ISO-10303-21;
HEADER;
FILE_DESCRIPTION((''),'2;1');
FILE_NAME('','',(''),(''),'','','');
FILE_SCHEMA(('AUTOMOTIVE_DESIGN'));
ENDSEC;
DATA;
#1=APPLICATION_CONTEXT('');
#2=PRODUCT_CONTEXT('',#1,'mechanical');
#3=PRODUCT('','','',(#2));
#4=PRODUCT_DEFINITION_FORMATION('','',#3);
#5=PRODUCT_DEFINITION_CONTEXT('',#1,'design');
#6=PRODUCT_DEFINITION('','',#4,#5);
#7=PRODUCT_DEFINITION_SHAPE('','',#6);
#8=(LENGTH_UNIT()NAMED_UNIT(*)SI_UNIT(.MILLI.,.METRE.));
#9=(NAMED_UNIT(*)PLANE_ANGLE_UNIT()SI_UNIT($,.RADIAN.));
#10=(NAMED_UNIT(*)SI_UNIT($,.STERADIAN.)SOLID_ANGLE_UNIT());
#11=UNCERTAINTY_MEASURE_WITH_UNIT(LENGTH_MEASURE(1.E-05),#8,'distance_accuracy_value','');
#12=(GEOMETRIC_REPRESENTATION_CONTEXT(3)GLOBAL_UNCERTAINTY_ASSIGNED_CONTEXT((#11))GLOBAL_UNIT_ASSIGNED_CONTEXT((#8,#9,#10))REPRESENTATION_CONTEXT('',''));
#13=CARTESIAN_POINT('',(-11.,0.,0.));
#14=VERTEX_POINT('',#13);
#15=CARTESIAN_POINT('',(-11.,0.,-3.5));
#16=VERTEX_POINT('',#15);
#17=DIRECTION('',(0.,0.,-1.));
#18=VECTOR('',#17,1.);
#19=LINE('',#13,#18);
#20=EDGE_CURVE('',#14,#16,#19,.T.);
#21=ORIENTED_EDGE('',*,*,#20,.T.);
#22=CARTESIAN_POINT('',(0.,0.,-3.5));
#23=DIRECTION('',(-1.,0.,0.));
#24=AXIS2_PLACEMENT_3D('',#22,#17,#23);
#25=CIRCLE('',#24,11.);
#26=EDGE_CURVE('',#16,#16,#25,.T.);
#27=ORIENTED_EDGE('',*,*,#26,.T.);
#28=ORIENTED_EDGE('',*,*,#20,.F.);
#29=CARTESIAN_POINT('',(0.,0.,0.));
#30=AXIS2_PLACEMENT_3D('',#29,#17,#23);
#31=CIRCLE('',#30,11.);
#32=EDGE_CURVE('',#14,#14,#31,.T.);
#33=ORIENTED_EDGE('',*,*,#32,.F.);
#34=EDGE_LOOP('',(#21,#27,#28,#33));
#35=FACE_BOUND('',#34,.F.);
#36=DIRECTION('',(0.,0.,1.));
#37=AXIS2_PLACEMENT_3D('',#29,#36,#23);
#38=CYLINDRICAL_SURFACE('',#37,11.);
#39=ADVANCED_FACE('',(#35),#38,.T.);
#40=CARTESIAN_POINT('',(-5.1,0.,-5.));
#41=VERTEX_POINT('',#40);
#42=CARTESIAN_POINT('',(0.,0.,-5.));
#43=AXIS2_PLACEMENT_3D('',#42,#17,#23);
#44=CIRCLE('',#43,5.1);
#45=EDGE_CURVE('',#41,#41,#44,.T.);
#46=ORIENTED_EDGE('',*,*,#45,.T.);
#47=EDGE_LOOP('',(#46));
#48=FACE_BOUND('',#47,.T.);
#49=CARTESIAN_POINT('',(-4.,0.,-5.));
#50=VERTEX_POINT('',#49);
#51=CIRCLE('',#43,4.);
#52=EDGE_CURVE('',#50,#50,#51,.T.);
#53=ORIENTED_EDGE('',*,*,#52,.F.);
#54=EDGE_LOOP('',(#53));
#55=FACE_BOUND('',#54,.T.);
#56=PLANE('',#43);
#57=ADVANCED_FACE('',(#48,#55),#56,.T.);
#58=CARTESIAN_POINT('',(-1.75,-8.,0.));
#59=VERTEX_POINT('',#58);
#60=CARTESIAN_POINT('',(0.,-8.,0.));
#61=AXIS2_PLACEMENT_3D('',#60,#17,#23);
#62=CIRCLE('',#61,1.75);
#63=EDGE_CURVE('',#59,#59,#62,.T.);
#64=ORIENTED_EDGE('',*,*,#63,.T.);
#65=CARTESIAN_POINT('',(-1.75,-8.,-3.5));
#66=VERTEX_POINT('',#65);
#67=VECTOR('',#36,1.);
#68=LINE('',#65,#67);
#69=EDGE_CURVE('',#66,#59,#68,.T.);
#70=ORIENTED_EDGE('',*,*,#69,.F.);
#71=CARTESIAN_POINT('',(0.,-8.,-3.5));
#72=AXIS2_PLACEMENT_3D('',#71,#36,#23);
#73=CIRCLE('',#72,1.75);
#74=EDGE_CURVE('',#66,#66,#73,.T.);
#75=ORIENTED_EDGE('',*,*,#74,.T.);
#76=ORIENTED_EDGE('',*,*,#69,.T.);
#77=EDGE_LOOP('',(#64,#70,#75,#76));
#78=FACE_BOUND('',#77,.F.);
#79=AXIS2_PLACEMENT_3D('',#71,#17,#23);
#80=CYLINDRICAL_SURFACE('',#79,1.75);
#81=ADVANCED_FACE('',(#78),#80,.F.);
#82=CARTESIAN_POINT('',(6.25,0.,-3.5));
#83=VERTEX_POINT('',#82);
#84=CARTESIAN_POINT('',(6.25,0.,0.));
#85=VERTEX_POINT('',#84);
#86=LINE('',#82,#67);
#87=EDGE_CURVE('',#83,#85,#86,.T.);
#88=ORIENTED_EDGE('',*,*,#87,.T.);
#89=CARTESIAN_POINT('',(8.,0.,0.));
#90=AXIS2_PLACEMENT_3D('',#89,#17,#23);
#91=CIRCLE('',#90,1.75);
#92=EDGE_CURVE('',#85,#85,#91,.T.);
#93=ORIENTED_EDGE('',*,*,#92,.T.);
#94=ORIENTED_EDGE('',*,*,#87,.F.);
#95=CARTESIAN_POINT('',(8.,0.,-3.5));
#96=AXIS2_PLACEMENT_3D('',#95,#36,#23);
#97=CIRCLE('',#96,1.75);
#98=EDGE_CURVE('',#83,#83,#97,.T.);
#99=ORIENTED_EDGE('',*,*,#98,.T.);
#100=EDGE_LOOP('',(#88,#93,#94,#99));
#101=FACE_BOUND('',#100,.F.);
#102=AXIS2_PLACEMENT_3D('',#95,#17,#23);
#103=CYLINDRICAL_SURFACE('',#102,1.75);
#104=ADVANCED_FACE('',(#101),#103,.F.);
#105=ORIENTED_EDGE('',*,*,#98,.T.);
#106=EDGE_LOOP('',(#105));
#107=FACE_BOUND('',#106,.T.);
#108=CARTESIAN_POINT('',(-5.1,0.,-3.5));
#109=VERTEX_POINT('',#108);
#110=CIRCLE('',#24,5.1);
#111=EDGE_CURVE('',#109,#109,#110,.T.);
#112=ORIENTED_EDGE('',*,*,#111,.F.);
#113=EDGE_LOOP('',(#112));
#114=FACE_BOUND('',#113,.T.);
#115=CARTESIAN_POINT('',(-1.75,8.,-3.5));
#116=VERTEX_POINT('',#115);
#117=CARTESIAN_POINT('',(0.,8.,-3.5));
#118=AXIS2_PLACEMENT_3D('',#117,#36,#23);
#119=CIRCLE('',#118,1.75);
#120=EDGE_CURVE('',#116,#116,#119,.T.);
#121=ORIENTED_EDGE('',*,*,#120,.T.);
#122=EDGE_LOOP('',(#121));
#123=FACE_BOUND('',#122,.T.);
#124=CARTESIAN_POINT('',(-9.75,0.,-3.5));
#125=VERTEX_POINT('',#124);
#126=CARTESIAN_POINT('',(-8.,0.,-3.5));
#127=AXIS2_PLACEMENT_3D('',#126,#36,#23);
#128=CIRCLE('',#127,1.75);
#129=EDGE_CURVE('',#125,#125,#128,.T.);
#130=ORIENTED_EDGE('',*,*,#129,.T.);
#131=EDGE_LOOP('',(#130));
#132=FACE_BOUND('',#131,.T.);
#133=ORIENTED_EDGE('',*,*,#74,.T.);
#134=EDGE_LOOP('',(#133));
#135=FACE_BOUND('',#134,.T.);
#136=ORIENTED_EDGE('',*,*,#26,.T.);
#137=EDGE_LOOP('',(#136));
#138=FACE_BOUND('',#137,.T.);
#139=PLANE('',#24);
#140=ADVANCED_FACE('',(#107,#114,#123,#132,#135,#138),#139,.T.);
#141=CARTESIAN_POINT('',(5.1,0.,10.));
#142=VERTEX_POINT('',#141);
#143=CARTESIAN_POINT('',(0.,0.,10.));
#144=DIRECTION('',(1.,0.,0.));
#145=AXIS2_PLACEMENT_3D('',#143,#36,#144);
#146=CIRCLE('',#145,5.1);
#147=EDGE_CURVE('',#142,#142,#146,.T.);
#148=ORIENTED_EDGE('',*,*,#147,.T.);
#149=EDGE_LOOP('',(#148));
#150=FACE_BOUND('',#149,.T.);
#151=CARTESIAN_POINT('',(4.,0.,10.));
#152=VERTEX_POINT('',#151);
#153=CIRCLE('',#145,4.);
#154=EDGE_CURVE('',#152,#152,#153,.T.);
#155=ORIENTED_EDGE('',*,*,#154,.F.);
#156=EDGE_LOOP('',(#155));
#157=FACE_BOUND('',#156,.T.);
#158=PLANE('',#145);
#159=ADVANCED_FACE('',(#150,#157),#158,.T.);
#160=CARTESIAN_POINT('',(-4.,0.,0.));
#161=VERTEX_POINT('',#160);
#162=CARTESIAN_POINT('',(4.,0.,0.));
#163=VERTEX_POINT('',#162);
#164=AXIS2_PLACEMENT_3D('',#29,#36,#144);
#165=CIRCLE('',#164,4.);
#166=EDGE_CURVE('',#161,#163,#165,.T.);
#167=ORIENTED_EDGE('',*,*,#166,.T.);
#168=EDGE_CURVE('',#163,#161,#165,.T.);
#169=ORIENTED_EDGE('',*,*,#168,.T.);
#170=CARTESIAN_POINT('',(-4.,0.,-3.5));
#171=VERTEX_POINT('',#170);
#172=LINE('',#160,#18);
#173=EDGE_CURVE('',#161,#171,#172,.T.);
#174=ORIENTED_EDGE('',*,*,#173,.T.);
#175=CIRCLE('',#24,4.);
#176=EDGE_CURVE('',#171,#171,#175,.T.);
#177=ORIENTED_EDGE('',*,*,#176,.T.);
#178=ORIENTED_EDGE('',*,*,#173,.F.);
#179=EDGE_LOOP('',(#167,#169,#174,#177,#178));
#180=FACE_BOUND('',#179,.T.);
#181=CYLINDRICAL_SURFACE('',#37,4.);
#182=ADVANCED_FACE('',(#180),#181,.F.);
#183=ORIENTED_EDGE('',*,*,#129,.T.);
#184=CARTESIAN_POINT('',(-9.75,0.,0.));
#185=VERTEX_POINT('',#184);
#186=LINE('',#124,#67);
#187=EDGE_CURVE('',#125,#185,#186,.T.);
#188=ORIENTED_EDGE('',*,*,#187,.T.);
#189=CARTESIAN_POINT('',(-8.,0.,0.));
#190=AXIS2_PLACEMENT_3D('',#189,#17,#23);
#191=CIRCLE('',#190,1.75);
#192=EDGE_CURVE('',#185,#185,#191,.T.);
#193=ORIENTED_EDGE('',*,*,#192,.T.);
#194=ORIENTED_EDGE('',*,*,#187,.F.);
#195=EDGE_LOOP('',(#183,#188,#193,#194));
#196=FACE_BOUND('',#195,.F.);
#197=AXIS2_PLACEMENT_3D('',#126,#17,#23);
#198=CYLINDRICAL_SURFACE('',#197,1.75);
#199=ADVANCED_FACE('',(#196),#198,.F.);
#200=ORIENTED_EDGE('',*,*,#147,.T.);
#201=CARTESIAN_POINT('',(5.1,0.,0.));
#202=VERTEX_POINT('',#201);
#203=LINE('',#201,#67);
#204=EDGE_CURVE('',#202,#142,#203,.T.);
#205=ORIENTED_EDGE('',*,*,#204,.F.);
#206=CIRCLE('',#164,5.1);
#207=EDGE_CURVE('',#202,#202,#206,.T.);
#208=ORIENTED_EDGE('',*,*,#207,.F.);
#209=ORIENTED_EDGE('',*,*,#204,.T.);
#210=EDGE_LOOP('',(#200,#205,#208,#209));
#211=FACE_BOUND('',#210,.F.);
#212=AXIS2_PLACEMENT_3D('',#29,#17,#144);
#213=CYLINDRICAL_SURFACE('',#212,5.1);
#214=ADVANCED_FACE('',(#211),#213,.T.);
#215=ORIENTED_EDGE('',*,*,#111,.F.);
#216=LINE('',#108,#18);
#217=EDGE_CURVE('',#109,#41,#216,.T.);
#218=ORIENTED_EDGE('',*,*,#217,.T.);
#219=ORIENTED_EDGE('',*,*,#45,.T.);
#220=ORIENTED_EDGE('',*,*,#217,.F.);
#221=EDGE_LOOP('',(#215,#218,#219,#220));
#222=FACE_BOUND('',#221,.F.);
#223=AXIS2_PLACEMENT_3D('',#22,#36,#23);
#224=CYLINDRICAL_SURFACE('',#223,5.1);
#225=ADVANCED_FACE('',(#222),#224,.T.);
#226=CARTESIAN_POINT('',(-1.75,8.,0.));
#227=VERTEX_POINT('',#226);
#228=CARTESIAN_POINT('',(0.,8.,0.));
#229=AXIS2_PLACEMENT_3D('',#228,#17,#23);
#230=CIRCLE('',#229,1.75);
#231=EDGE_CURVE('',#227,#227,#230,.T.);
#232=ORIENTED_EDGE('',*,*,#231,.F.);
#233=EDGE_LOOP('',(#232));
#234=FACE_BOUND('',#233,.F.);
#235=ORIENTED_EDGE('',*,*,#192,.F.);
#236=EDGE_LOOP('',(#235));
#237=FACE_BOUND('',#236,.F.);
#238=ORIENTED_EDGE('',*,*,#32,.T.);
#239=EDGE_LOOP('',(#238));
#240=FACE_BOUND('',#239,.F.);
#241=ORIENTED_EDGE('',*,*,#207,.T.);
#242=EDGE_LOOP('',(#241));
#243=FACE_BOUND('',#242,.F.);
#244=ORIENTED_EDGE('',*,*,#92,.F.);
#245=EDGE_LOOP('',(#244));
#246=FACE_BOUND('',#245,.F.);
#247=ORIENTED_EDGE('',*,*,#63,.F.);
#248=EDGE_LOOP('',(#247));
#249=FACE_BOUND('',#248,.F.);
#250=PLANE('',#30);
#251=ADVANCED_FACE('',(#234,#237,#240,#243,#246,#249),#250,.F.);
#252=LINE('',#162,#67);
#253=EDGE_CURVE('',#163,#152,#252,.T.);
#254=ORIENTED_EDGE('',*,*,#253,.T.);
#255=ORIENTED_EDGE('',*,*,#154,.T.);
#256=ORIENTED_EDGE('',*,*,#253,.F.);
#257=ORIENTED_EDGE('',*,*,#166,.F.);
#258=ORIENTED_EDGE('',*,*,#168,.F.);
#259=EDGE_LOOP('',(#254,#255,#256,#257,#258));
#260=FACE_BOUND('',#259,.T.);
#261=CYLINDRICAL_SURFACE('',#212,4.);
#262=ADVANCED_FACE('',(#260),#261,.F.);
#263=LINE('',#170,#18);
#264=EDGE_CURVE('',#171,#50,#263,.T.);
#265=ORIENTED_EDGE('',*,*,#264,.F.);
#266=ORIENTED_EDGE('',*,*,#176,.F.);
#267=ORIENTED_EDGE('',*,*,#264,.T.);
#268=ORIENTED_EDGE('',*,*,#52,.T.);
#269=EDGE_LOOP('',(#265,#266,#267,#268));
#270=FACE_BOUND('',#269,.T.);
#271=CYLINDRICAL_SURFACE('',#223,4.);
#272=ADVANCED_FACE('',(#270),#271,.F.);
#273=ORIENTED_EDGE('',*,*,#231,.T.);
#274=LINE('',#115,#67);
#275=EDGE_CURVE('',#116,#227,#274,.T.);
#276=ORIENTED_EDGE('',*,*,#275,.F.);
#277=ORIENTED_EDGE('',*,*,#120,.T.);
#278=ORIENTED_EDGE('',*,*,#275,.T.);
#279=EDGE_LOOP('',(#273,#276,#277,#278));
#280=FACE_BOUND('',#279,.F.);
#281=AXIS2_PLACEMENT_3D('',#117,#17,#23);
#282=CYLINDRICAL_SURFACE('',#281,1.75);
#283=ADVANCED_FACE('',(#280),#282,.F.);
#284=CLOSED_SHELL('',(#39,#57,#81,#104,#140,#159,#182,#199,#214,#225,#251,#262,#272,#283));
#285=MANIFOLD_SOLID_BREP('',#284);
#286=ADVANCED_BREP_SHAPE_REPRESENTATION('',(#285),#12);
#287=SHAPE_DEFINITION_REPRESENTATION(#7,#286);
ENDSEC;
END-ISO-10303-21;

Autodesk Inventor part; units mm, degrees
ref_plane "YZ Plane" through (0, 0, 0) normal (1, 0, 0) x (0, 1, 0)
ref_plane "XZ Plane" through (0, 0, 0) normal (0, 1, 0) x (-1, 0, 0)
ref_plane "XY Plane" through (0, 0, 0) normal (0, 0, 1) x (1, 0, 0)
sketch "Sketch1" plane through (0, 0, 0) normal (0, 0, 1) x (1, 0, 0)
  circle A0 centre (0, 0) radius 5.1
  circle A1 centre (0, 0) radius 4
  dimension "d0" = 10.2
  dimension "d1" = 8
extrude "Extrusion1" add sketch "Sketch1" along normal blind 10
sketch "Sketch2" plane through (0, 0, 0) normal (0, 0, -1) x (-1, 0, 0)
  circle A0 centre (0, 0) radius 4
  circle A1 centre (0, 0) radius 11
  dimension "d4" = 8
  dimension "d5" = 22
extrude "Extrusion2" add sketch "Sketch2" along normal blind 3.5
sketch "Sketch3" plane through (0, 0, -3.5) normal (0, 0, -1) x (-1, 0, 0)
  circle A0 centre (0, 0) radius 4
  circle A1 centre (0, 0) radius 5.1
  dimension "d8" = 8
  dimension "d9" = 10.2
extrude "Extrusion3" add sketch "Sketch3" along normal blind 1.5
sketch "Sketch4" plane through (0, 0, -3.5) normal (0, 0, -1) x (-1, 0, 0)
  circle A0 centre (0, 0) radius 8
  circle A1 centre (0, -8) radius 1.75
  circle A2 centre (8, 0) radius 1.75
  circle A3 centre (0, 8) radius 1.75
  circle A4 centre (-8, 0) radius 1.75
  dimension "d12" = 16
  dimension "d13" = 3.5
  dimension "d16" = 360
extrude "Extrusion4" cut sketch "Sketch4" against normal blind 3.5 contours A0 A2 | A0 A2 | A3 A0 | A0 A3 | A1 A0 | A0 A1 | A4 A0 | A0 A4
properties part number "TUERCA DE HUSILLO"
